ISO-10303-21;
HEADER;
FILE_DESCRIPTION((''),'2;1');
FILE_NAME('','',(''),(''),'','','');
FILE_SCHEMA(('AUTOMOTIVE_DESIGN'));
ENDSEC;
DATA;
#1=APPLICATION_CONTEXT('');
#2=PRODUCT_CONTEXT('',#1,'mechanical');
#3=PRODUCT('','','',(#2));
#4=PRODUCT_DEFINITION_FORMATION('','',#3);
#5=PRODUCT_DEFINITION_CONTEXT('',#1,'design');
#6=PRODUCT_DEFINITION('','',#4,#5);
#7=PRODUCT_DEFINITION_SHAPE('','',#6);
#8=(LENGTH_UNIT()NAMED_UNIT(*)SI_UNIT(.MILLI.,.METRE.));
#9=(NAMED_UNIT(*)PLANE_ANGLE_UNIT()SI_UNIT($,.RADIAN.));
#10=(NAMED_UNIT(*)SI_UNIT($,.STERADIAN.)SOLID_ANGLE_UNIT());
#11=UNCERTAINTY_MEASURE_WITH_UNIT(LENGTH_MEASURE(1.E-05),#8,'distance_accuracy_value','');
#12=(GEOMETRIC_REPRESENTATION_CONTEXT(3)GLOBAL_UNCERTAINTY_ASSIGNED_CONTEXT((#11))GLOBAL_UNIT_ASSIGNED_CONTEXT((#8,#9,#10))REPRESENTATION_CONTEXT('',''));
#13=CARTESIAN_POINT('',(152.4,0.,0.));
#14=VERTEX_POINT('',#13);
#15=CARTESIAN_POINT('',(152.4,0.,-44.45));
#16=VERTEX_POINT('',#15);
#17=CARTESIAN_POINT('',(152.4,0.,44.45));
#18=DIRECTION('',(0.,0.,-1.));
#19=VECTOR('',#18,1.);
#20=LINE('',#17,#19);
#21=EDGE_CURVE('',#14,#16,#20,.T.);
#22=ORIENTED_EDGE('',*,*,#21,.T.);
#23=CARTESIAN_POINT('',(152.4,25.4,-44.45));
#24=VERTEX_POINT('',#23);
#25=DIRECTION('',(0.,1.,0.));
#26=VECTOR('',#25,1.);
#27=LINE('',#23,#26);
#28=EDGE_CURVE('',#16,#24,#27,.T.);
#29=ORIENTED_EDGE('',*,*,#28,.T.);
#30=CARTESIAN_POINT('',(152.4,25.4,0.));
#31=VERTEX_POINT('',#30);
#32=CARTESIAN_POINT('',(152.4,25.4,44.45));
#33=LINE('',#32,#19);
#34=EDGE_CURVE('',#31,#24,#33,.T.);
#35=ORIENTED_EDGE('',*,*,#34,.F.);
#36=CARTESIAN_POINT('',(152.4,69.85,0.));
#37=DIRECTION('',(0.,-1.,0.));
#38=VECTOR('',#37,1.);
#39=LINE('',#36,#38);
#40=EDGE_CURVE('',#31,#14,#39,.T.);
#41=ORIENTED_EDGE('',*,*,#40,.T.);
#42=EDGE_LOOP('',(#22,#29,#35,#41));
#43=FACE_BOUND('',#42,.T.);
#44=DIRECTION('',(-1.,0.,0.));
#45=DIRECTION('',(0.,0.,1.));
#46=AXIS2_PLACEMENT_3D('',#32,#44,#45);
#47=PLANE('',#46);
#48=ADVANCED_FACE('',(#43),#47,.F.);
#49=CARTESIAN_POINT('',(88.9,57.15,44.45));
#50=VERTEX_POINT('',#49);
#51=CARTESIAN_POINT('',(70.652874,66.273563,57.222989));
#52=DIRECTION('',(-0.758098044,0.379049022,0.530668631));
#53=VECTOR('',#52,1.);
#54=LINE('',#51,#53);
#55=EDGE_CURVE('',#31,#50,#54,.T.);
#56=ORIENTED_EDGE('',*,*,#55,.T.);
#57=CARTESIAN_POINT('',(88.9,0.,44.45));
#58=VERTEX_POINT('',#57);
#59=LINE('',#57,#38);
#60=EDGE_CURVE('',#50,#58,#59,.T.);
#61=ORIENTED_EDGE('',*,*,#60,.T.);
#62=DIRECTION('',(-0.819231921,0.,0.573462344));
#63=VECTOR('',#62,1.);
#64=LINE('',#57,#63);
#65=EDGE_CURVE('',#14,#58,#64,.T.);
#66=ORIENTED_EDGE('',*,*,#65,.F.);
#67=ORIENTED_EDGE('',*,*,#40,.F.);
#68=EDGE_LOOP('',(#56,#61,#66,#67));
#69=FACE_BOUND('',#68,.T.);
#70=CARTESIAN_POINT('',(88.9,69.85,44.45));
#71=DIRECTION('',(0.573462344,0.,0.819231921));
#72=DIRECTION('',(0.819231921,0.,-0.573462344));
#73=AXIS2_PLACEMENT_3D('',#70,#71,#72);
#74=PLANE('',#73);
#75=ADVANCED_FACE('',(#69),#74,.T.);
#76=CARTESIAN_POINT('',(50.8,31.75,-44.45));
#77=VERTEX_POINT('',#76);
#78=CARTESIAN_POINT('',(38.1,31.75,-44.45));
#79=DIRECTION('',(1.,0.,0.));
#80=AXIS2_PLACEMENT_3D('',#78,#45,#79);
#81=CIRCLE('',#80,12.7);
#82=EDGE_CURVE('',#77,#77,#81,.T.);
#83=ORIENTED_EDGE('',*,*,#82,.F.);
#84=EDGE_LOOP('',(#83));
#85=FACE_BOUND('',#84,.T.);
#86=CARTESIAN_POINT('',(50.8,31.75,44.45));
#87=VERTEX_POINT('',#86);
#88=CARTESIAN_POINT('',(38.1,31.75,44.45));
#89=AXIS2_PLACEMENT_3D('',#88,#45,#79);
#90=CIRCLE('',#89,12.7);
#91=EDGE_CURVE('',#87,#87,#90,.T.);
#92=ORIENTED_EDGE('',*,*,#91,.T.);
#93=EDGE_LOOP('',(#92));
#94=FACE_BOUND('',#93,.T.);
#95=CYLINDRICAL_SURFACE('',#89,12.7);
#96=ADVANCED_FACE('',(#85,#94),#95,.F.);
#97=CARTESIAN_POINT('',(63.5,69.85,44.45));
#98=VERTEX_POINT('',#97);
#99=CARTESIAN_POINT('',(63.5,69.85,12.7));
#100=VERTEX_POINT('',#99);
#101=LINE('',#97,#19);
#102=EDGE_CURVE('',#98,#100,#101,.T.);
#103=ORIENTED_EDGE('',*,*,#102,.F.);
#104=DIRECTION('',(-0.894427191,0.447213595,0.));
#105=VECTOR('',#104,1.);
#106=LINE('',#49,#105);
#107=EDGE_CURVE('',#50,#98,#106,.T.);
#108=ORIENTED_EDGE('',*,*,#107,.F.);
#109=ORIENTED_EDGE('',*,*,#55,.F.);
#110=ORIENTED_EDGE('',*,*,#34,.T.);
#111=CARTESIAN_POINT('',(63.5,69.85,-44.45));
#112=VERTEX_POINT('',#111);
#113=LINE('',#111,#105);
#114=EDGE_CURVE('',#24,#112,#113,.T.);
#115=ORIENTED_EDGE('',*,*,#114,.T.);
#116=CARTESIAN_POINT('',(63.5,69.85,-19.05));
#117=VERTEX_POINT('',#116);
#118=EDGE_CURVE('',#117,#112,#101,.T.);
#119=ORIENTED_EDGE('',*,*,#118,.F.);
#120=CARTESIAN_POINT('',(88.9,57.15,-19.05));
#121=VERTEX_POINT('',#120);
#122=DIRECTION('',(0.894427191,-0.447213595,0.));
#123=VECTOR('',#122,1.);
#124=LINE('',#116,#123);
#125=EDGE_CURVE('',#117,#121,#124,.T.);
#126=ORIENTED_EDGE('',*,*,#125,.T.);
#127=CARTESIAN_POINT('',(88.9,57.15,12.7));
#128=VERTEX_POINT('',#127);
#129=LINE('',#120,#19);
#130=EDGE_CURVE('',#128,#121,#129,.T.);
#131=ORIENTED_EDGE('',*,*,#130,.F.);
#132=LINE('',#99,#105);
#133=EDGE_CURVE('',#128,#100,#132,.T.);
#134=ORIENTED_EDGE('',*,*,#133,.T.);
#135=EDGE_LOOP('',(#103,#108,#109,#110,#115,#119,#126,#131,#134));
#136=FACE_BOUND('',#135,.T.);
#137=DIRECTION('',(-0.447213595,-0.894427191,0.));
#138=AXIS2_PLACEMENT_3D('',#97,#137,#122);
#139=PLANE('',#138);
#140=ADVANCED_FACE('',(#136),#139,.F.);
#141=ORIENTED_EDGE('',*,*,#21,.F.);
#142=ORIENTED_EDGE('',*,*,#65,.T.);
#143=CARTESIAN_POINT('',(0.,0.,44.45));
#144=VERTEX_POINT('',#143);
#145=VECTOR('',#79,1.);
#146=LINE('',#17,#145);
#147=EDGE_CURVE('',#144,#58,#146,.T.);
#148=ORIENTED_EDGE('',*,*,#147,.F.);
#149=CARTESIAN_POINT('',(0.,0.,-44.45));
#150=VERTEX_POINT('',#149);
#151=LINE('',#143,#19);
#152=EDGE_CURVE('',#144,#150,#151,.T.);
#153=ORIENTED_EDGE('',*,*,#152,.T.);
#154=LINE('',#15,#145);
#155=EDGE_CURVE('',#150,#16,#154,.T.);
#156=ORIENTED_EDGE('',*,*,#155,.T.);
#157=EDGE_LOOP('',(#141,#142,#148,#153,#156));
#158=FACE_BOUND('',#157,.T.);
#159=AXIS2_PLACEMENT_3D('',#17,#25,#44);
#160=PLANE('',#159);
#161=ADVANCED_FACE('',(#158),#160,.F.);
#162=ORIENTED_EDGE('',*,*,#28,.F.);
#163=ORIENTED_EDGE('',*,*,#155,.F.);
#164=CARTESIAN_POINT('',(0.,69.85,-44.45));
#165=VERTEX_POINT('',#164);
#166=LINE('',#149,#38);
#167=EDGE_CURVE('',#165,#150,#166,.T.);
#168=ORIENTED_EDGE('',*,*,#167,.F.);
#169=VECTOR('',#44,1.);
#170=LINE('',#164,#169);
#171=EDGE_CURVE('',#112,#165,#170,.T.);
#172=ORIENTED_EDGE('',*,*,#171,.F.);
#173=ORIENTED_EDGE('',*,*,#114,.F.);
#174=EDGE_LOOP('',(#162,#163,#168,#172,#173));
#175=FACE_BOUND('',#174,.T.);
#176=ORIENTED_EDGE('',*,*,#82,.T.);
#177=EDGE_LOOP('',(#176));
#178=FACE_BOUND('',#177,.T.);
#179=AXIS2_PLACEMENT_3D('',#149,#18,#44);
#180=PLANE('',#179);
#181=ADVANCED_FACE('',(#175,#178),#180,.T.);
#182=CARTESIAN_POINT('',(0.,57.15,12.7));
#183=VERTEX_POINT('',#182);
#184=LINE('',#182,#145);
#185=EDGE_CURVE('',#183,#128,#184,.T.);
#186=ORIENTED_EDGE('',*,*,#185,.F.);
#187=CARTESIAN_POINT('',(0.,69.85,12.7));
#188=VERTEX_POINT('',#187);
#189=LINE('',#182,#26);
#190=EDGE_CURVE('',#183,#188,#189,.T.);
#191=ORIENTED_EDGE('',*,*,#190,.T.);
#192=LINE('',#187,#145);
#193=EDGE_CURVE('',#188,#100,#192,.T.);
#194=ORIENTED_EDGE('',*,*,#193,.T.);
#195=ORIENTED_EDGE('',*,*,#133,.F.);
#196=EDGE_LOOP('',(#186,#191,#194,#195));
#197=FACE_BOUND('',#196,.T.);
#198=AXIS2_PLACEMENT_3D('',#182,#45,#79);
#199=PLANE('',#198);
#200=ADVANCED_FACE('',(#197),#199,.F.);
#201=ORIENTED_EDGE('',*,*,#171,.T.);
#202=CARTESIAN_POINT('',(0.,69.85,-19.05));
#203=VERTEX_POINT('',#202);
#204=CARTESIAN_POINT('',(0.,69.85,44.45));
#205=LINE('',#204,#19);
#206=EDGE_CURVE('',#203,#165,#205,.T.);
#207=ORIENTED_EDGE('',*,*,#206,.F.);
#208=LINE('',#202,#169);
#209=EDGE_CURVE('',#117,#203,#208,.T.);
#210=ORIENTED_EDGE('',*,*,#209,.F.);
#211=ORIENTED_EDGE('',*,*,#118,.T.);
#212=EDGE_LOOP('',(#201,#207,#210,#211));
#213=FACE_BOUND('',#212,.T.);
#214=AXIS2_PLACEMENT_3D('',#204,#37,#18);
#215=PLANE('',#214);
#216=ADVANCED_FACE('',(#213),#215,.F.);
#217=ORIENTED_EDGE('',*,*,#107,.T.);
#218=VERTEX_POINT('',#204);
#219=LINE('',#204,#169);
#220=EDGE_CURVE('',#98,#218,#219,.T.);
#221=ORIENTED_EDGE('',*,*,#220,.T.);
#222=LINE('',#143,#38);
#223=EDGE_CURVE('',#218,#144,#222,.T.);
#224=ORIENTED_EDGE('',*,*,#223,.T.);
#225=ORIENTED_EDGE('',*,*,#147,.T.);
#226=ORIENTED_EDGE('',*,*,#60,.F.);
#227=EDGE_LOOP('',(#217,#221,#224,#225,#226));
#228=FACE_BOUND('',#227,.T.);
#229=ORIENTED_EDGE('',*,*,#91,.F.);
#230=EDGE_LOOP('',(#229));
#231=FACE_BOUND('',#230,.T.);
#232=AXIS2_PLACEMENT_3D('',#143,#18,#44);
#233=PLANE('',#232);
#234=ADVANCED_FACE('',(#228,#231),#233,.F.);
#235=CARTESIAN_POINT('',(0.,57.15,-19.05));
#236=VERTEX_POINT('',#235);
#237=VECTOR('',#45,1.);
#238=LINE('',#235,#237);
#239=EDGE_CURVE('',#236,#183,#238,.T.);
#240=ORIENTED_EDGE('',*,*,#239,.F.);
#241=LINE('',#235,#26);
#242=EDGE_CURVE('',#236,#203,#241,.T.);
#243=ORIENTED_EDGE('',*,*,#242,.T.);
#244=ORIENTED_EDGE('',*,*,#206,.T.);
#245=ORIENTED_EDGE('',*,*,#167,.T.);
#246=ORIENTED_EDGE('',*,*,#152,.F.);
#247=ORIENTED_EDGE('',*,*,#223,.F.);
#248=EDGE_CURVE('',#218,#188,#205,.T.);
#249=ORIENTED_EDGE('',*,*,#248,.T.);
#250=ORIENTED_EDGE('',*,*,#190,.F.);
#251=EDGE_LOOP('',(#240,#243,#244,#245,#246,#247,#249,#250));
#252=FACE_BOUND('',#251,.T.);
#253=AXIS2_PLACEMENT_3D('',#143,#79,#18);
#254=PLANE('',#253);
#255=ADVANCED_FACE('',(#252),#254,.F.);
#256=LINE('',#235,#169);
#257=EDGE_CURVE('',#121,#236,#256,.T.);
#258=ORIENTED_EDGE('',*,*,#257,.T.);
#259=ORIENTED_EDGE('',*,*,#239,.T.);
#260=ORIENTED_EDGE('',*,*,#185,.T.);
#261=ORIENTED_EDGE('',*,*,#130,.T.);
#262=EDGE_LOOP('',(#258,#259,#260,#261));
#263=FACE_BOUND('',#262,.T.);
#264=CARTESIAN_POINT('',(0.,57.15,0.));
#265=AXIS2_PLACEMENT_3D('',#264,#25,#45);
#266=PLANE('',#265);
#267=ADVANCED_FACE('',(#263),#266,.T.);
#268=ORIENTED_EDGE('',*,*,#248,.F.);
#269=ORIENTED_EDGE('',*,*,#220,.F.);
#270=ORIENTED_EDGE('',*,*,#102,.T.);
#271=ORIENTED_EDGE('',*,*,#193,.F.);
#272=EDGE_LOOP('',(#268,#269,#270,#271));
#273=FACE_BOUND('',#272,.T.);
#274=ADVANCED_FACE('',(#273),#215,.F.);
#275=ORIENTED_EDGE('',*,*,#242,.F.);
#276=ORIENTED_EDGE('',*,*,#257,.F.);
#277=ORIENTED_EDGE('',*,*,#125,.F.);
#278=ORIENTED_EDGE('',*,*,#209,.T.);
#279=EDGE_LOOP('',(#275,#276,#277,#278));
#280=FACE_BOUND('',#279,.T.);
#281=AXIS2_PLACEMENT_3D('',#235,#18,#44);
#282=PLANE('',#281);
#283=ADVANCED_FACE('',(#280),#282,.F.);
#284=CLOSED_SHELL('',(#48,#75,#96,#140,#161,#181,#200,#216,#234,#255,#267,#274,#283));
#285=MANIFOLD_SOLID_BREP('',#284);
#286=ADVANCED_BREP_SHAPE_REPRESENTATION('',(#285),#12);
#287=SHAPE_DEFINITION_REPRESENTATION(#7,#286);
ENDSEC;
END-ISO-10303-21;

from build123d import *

# Parameters (mm, degrees)
BOSS_EXTRUDE1_DEPTH      = 44.45
SKETCH2_W                = 88.9
SKETCH2_H                = 31.75
CUT_EXTRUDE1_DEPTH       = 12.7
CUT_EXTRUDE2_DEPTH       = 70.85
F_1_4_1_DIAMETER_HOLE1_D = 25.4


with BuildPart() as part:
    # Sketch1 → Boss-Extrude1 (new body, symmetric)
    with BuildSketch(Plane.XY):
        Polygon((0, 0), (0, 69.85), (63.5, 69.85), (88.9, 57.15), (152.4, 25.4), (152.4, 0), align=None)
    extrude(amount=BOSS_EXTRUDE1_DEPTH, both=True)

    # Sketch2 → Cut-Extrude1 (cut)
    with BuildSketch(Plane(origin=(0, 69.85, 0), x_dir=(1, 0, 0), z_dir=(0, 1, 0))):
        with Locations((44.45, 3.175)):
            Rectangle(SKETCH2_W, SKETCH2_H)
    extrude(amount=-CUT_EXTRUDE1_DEPTH, mode=Mode.SUBTRACT)

    # Sketch3 → Cut-Extrude2 (cut, through all)
    with BuildSketch(Plane(origin=(0, 0, 0), x_dir=(1, 0, 0), z_dir=(0, 1, 0))):
        Polygon((88.9, -44.45), (152.4, 0), (152.4, -44.45), align=None)
    extrude(amount=CUT_EXTRUDE2_DEPTH, mode=Mode.SUBTRACT)

    # 1/4 (1) Diameter Hole1 (through all)
    with Locations(Plane.XY.offset(44.45)):
        with Locations((38.1, 31.75)):
            Hole(F_1_4_1_DIAMETER_HOLE1_D / 2)


solid = part.part
